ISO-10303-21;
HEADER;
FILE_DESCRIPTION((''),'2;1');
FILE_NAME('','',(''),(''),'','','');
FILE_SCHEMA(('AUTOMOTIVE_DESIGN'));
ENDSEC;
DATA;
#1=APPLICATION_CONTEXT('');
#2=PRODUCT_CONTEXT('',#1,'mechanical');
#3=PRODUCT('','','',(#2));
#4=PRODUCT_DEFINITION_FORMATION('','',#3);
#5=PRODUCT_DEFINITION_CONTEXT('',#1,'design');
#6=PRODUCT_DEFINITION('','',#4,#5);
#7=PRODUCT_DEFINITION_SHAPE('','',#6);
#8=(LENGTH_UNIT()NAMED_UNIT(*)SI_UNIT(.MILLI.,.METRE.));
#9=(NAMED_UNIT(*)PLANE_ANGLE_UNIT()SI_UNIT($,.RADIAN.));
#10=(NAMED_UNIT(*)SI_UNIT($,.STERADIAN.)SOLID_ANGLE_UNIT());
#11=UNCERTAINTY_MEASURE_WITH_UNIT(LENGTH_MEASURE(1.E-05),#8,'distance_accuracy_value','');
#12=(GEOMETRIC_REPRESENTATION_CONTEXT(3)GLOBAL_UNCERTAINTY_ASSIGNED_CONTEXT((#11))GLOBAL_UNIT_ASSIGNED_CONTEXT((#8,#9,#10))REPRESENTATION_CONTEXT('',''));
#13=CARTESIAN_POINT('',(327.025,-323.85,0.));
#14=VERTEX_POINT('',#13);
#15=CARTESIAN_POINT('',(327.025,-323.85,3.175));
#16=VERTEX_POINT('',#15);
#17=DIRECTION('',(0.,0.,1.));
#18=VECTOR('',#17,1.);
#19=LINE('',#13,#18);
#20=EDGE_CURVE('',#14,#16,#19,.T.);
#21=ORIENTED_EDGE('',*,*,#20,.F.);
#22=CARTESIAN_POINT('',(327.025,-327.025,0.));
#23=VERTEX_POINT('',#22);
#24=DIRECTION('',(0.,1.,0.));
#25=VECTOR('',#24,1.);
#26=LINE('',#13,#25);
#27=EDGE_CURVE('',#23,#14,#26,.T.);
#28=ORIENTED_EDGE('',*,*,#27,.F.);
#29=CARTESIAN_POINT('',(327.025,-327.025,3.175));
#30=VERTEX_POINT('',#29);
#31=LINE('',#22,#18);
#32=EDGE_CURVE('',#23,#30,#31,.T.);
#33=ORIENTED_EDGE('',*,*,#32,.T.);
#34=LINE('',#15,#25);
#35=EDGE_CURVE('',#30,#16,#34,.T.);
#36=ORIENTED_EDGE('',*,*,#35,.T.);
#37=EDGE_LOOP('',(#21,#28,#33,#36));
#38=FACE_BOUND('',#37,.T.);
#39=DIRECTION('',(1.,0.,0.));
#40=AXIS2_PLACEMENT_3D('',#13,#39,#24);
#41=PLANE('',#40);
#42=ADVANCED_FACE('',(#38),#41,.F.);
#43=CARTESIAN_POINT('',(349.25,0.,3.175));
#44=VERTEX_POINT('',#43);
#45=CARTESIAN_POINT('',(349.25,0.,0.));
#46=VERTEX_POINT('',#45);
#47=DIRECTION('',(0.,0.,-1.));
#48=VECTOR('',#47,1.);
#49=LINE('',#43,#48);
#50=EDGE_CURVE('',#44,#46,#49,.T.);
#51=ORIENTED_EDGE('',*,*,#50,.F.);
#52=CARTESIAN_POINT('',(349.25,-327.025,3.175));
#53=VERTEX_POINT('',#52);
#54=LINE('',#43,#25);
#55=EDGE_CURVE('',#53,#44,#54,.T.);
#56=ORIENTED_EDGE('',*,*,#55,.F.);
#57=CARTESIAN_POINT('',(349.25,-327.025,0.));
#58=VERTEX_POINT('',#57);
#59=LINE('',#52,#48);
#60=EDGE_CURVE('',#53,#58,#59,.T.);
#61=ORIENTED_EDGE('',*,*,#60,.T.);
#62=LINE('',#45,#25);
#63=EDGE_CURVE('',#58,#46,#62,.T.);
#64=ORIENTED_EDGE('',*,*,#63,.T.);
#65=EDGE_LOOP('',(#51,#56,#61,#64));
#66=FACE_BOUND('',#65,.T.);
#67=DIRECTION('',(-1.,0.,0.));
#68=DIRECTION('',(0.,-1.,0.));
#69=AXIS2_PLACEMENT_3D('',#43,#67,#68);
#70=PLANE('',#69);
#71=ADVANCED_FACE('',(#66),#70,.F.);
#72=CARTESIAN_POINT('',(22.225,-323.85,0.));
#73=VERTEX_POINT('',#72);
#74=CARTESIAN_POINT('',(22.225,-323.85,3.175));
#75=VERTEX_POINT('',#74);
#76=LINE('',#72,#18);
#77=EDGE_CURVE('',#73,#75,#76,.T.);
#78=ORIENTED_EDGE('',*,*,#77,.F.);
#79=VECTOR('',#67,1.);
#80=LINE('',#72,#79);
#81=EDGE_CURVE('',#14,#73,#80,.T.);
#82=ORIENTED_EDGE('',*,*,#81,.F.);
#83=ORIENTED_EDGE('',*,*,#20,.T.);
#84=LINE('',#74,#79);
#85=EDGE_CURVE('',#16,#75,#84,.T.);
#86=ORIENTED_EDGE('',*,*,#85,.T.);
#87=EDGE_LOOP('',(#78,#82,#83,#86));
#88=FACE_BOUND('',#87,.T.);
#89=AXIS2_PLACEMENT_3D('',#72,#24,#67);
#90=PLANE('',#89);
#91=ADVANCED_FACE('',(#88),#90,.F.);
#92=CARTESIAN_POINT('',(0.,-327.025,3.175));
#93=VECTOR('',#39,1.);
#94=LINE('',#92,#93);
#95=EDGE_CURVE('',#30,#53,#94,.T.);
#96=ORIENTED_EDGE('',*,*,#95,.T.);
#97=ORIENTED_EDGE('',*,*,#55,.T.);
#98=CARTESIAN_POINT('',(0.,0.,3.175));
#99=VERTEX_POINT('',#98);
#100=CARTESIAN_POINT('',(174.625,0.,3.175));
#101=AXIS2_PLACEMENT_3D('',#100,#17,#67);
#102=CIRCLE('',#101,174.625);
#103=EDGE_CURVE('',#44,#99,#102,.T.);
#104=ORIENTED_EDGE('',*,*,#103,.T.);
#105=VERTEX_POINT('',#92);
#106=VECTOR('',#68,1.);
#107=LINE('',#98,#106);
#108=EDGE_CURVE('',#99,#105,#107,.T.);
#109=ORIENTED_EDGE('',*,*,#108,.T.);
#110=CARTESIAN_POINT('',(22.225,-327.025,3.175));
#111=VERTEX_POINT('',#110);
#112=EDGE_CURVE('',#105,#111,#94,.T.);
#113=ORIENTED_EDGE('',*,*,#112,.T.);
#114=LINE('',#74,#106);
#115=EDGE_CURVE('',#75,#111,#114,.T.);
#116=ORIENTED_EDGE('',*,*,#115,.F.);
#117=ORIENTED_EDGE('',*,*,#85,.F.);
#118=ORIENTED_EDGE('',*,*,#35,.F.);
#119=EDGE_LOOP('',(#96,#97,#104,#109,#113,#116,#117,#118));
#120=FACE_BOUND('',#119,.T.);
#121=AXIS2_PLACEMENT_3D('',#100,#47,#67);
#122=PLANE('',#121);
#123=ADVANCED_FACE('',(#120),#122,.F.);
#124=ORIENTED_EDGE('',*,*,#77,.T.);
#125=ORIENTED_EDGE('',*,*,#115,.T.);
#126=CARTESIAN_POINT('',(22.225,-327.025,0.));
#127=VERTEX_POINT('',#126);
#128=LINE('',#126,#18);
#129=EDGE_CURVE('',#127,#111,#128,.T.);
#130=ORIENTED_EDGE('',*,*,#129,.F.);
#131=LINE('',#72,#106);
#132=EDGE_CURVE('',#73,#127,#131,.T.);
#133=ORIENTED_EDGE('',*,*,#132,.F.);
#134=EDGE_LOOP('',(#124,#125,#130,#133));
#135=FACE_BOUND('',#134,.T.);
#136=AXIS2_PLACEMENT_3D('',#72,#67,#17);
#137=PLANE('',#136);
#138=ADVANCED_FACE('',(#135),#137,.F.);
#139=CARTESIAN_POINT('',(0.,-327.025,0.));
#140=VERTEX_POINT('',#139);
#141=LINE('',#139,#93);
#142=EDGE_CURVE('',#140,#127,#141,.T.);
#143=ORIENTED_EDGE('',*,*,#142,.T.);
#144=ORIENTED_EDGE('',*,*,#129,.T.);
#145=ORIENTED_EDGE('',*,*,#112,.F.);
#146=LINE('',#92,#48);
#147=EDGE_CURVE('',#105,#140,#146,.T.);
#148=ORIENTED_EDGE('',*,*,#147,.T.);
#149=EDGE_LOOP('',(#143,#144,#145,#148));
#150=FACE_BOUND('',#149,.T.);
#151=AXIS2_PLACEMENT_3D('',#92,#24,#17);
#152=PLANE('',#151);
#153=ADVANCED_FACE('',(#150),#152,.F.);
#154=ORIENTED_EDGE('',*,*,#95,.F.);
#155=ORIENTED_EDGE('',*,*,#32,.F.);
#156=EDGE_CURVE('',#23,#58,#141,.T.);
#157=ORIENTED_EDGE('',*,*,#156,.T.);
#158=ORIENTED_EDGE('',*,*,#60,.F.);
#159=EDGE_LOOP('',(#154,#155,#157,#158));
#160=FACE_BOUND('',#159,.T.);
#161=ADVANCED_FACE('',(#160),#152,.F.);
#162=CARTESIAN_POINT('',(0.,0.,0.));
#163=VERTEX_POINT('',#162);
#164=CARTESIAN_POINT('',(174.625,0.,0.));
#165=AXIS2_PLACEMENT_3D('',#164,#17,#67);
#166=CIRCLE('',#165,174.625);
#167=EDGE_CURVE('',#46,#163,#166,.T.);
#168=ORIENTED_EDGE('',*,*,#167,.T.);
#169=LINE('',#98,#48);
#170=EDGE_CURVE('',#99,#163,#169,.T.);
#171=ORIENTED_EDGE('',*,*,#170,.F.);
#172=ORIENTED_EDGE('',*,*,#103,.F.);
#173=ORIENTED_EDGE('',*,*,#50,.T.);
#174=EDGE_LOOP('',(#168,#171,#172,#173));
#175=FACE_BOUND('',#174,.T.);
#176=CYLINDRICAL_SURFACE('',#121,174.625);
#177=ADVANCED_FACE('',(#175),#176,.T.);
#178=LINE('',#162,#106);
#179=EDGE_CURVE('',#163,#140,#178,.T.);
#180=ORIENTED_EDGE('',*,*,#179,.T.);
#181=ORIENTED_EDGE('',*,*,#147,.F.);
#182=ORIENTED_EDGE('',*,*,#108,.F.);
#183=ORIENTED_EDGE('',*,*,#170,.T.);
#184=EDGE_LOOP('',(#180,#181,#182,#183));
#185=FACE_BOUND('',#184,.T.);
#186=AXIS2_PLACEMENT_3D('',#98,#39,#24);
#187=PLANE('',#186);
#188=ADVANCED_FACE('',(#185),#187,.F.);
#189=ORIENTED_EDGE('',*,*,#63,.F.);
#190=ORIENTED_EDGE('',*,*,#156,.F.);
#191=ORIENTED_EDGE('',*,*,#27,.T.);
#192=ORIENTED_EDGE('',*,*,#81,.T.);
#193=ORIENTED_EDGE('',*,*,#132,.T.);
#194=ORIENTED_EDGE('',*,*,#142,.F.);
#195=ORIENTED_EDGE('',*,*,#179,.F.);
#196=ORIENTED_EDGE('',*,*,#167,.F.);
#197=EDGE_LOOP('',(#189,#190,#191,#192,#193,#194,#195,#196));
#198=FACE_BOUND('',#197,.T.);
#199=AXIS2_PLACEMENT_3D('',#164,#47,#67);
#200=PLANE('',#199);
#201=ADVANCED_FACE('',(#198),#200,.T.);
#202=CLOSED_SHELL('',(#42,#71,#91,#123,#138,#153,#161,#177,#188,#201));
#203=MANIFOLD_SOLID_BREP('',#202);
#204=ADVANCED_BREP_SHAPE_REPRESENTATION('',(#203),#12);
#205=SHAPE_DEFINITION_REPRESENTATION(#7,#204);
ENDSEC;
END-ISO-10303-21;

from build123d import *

# Parameters (mm, degrees)
BOSS_EXTRUDE1_DEPTH = 3.175
SKETCH2_W           = 304.8
SKETCH2_H           = 3.175
CUT_EXTRUDE1_DEPTH  = 3.175


with BuildPart() as part:
    # Sketch1 → Boss-Extrude1 (new body)
    with BuildSketch(Plane.XY):
        with BuildLine():
            Line((0, 0), (0, -327.025))
            Line((0, -327.025), (349.25, -327.025))
            Line((349.25, -327.025), (349.25, 0))
            ThreePointArc((349.25, 0), (174.625, 174.625), (0, 0))
        make_face()
    extrude(amount=BOSS_EXTRUDE1_DEPTH)

    # Sketch2 → Cut-Extrude1 (cut)
    with BuildSketch(Plane.XY.offset(3.175)):
        with Locations((174.625, -325.4375)):
            Rectangle(SKETCH2_W, SKETCH2_H)
    extrude(amount=-CUT_EXTRUDE1_DEPTH, mode=Mode.SUBTRACT)


solid = part.part
